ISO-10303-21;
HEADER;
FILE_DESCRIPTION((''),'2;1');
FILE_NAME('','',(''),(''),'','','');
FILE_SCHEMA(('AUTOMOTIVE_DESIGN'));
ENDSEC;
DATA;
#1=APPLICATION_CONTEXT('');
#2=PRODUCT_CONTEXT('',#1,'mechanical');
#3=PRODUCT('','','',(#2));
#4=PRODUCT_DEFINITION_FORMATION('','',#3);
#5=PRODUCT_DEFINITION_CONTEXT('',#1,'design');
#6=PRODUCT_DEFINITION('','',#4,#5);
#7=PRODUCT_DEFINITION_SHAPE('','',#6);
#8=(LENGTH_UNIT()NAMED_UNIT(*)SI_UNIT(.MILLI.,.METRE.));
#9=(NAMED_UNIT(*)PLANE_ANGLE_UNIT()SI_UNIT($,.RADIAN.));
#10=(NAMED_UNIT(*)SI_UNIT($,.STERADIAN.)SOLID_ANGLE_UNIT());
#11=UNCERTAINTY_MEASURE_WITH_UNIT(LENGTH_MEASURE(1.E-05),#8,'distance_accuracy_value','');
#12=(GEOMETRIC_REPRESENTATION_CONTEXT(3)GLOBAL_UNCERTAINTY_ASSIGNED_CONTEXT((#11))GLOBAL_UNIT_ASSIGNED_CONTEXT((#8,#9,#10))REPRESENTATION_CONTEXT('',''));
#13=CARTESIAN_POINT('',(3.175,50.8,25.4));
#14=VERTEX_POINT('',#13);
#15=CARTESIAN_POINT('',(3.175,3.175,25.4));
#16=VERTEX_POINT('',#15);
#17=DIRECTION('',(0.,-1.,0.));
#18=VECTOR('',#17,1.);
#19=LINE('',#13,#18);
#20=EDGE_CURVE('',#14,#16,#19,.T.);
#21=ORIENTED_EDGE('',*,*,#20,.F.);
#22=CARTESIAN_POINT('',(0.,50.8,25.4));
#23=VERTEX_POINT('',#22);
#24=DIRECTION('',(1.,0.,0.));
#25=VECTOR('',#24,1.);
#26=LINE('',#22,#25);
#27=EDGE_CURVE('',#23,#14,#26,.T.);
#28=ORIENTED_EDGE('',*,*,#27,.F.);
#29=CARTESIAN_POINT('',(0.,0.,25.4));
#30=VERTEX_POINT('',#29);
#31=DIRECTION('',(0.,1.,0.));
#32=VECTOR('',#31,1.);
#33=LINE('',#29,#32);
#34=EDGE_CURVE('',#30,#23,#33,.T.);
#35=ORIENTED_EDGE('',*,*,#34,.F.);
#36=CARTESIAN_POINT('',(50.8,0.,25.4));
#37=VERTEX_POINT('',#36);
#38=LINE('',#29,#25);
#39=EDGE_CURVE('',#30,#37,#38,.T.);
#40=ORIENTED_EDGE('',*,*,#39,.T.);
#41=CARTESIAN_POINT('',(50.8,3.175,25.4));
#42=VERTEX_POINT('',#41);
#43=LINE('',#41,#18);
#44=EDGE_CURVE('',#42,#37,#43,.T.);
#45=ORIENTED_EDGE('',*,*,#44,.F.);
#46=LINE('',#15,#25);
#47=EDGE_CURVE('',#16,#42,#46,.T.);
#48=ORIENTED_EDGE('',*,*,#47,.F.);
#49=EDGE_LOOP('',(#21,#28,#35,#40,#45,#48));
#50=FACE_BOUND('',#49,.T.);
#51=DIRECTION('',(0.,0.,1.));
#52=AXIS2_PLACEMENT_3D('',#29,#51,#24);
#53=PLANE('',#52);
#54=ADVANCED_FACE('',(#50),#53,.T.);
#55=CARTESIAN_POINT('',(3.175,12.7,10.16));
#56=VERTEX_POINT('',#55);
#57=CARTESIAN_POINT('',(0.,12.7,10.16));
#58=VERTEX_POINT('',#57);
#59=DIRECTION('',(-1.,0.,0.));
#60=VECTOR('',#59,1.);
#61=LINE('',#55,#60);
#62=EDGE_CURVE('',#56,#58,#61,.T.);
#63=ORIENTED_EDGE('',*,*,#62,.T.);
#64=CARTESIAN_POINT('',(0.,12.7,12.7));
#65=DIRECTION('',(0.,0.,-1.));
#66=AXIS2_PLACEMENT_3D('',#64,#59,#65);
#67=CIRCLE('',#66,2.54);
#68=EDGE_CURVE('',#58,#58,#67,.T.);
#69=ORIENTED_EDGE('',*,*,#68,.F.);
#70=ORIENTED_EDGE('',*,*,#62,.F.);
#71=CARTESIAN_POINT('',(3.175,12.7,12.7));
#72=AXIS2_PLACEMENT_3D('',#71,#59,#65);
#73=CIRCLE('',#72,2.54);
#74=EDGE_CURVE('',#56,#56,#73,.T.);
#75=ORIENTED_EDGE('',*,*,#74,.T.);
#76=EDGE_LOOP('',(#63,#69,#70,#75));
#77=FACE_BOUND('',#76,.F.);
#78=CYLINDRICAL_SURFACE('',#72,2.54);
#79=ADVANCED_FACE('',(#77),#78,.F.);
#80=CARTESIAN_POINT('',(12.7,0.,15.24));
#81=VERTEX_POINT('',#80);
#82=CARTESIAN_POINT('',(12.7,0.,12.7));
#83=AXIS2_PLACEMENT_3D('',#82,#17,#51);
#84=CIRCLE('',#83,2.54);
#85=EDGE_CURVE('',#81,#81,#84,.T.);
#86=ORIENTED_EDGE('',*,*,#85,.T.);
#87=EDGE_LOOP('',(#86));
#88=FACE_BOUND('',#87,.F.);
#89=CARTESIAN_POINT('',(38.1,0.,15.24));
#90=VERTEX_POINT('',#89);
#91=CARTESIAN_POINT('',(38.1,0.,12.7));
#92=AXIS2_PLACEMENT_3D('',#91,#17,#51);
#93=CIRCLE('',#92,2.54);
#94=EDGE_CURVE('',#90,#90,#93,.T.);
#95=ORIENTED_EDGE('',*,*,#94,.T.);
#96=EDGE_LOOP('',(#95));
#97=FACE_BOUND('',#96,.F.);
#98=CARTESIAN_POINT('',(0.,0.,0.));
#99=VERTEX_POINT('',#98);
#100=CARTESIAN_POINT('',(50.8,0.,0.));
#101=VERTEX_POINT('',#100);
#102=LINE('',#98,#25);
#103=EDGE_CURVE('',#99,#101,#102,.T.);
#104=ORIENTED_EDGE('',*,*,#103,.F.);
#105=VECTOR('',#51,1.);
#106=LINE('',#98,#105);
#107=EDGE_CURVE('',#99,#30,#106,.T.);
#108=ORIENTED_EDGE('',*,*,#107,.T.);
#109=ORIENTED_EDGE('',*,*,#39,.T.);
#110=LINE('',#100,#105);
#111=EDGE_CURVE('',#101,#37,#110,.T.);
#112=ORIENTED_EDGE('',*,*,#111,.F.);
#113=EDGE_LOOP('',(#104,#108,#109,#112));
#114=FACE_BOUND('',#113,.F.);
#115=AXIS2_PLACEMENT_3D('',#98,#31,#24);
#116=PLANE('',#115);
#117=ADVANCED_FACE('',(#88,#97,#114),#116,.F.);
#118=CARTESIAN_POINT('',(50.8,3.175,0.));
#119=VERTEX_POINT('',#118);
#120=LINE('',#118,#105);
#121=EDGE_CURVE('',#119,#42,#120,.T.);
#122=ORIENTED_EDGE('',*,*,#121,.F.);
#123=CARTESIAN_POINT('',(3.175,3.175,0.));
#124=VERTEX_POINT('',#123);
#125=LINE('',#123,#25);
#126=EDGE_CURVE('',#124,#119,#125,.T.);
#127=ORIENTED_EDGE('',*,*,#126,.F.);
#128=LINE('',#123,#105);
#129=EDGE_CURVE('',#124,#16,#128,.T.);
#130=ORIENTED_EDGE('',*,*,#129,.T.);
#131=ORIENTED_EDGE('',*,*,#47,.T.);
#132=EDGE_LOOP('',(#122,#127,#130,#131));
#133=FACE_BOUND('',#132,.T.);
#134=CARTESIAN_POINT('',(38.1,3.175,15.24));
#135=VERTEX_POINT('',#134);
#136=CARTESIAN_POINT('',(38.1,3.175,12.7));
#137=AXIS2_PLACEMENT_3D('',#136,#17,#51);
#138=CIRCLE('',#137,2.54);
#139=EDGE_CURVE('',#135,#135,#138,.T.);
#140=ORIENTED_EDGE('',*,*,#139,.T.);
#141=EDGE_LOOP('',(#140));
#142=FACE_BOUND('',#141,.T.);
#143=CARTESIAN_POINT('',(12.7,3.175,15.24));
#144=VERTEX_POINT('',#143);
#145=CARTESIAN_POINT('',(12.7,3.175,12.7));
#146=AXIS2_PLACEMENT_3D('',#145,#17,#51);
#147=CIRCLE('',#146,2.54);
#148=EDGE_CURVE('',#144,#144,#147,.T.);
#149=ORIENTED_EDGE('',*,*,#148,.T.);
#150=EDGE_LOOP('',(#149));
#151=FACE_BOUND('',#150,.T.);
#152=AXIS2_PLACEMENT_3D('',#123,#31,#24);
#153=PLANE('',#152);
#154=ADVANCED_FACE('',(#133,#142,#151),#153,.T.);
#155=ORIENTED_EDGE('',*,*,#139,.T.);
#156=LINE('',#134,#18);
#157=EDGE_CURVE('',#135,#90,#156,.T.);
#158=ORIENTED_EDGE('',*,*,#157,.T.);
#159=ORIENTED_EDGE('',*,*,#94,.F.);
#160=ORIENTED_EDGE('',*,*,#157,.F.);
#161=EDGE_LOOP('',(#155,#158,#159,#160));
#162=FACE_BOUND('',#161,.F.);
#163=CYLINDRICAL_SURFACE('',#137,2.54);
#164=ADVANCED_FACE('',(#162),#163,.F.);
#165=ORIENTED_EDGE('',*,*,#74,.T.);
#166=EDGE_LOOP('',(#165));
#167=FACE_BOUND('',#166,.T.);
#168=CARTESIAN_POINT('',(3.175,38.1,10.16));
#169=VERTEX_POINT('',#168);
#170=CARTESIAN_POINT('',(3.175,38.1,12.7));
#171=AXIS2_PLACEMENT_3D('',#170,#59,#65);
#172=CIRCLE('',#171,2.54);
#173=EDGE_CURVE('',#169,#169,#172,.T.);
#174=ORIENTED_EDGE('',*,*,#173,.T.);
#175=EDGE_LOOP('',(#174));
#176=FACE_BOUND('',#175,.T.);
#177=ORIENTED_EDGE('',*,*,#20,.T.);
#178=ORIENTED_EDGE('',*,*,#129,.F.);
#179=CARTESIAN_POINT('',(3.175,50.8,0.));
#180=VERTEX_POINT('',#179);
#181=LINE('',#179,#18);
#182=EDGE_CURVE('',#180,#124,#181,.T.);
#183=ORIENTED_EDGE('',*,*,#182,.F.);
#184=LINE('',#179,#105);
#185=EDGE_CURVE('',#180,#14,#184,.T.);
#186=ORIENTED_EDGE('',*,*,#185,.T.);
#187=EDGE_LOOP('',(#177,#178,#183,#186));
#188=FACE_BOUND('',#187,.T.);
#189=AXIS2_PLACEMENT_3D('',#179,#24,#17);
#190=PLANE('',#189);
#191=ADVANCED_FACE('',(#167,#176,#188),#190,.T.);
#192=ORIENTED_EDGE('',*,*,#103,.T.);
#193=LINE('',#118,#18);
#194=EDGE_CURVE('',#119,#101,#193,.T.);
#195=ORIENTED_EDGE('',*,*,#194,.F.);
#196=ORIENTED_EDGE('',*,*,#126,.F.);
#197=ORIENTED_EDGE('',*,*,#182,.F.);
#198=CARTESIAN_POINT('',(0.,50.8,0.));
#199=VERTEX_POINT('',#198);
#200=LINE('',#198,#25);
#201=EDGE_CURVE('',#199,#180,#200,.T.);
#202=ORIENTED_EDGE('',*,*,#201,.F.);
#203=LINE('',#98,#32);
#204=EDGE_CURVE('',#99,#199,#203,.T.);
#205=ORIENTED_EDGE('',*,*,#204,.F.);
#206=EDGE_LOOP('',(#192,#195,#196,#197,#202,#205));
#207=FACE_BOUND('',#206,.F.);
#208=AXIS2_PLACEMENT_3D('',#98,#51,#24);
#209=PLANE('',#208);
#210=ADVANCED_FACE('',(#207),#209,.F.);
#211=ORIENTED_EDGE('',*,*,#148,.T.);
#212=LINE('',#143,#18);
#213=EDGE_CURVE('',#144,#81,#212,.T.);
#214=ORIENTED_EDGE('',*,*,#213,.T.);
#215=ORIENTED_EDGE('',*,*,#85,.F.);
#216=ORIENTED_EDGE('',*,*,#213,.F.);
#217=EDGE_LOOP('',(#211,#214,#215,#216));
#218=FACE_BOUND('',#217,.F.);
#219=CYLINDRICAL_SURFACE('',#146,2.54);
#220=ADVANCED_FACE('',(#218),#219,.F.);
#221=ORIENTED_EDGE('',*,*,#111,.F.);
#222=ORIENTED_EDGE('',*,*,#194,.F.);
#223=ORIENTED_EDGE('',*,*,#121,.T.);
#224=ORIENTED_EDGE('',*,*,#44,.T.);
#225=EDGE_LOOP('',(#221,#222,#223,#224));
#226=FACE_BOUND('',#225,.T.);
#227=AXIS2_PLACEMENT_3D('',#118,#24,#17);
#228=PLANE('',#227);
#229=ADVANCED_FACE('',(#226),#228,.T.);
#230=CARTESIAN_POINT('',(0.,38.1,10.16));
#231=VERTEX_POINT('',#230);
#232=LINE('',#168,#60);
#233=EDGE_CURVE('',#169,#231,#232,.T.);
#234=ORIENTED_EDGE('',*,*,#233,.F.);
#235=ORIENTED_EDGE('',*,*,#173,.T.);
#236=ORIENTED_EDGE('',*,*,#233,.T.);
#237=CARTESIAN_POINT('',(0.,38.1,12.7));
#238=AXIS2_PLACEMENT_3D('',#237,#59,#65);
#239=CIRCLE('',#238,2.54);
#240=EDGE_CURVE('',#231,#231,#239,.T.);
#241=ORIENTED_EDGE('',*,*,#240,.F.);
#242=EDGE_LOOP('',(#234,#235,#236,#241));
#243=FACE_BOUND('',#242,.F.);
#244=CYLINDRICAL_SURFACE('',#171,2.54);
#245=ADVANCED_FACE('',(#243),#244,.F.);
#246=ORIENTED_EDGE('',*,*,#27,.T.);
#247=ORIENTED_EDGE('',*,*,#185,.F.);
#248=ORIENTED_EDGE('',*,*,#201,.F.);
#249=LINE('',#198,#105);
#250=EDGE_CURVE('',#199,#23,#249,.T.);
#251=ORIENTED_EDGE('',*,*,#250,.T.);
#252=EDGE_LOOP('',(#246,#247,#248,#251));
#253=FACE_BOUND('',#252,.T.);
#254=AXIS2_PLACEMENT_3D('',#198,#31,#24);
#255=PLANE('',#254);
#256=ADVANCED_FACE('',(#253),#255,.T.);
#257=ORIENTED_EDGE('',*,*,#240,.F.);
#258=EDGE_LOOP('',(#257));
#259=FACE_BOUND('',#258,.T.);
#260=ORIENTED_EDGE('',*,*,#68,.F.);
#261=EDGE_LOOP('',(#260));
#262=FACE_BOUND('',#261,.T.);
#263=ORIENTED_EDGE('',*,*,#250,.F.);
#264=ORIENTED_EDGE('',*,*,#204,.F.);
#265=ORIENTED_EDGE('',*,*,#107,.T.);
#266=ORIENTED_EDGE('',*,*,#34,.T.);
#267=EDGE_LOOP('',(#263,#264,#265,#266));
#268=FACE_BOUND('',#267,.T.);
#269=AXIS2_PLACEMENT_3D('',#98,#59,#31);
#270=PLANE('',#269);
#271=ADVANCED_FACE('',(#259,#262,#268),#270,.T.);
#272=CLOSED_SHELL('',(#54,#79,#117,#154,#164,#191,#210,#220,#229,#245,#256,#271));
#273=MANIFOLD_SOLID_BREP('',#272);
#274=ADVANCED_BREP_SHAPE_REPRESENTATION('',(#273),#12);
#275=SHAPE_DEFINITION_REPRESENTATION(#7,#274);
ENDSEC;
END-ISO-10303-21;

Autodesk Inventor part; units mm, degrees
ref_plane "YZ Plane" through (0, 0, 0) normal (1, 0, 0) x (0, 1, 0)
ref_plane "XZ Plane" through (0, 0, 0) normal (0, 1, 0) x (-1, 0, 0)
ref_plane "XY Plane" through (0, 0, 0) normal (0, 0, 1) x (1, 0, 0)
sketch "Sketch1" plane through (0, 0, 0) normal (0, 0, 1) x (1, 0, 0)
  line L0 (0, 0) -> (0, 50.8)
  line L1 (0, 50.8) -> (3.175, 50.8)
  line L2 (3.175, 50.8) -> (3.175, 3.175)
  line L3 (3.175, 3.175) -> (50.8, 3.175)
  line L4 (0, 0) -> (50.8, 0)
  line L5 (50.8, 3.175) -> (50.8, 0)
  dimension "d0" = 50.8
  dimension "d1" = 3.175
  dimension "d2" = 47.625
  dimension "d5" = 50.8
  dimension "d6" = 3.175
extrude "Extrusion1" add sketch "Sketch1" along normal blind 25.4
sketch "Sketch2" plane through (3.175, 3.175, 0) normal (1, 0, 0) x (0, 0, -1)
  line L0 (0, 47.625) -> (-25.4, 47.625) projected
  line L1 (-25.4, 0) -> (-25.4, 47.625) projected
  line L2 (0, 0) -> (-25.4, 0) projected
  point P0 (0, -3.175)
  point P1 (-12.7, 34.925)
  point P2 (-12.7, 9.525)
  dimension "d16" = 12.7
  dimension "d17" = 12.7
  dimension "d19" = 12.7
  dimension "d34" = 25.4
hole "Hole1" at (3.175, 38.1, 12.7) at (3.175, 12.7, 12.7) direction (-1, 0, 0) diameter 5.08 end through all
sketch "Sketch3" plane through (3.175, 3.175, 0) normal (0, 1, 0) x (1, 0, 0)
  line L0 (47.625, -25.4) -> (0, -25.4) projected
  line L1 (0, 0) -> (0, -25.4) projected
  line L2 (47.625, 0) -> (47.625, -25.4) projected
  point P0 (-3.175, 0)
  point P1 (9.525, -12.7)
  point P2 (34.925, -12.7)
  dimension "d23" = 12.7
  dimension "d25" = 12.7
  dimension "d26" = 12.7
  dimension "d35" = 25.4
hole "Hole2" at (12.7, 3.175, 12.7) at (38.1, 3.175, 12.7) direction (0, -1, 0) diameter 5.08 end through all
equation "\"d2\" = d0 - d6"
equation "\"d6\" = d1"
properties part number "Centerpiece-90CornerBracket" material "Aluminum 6061-AHC"
